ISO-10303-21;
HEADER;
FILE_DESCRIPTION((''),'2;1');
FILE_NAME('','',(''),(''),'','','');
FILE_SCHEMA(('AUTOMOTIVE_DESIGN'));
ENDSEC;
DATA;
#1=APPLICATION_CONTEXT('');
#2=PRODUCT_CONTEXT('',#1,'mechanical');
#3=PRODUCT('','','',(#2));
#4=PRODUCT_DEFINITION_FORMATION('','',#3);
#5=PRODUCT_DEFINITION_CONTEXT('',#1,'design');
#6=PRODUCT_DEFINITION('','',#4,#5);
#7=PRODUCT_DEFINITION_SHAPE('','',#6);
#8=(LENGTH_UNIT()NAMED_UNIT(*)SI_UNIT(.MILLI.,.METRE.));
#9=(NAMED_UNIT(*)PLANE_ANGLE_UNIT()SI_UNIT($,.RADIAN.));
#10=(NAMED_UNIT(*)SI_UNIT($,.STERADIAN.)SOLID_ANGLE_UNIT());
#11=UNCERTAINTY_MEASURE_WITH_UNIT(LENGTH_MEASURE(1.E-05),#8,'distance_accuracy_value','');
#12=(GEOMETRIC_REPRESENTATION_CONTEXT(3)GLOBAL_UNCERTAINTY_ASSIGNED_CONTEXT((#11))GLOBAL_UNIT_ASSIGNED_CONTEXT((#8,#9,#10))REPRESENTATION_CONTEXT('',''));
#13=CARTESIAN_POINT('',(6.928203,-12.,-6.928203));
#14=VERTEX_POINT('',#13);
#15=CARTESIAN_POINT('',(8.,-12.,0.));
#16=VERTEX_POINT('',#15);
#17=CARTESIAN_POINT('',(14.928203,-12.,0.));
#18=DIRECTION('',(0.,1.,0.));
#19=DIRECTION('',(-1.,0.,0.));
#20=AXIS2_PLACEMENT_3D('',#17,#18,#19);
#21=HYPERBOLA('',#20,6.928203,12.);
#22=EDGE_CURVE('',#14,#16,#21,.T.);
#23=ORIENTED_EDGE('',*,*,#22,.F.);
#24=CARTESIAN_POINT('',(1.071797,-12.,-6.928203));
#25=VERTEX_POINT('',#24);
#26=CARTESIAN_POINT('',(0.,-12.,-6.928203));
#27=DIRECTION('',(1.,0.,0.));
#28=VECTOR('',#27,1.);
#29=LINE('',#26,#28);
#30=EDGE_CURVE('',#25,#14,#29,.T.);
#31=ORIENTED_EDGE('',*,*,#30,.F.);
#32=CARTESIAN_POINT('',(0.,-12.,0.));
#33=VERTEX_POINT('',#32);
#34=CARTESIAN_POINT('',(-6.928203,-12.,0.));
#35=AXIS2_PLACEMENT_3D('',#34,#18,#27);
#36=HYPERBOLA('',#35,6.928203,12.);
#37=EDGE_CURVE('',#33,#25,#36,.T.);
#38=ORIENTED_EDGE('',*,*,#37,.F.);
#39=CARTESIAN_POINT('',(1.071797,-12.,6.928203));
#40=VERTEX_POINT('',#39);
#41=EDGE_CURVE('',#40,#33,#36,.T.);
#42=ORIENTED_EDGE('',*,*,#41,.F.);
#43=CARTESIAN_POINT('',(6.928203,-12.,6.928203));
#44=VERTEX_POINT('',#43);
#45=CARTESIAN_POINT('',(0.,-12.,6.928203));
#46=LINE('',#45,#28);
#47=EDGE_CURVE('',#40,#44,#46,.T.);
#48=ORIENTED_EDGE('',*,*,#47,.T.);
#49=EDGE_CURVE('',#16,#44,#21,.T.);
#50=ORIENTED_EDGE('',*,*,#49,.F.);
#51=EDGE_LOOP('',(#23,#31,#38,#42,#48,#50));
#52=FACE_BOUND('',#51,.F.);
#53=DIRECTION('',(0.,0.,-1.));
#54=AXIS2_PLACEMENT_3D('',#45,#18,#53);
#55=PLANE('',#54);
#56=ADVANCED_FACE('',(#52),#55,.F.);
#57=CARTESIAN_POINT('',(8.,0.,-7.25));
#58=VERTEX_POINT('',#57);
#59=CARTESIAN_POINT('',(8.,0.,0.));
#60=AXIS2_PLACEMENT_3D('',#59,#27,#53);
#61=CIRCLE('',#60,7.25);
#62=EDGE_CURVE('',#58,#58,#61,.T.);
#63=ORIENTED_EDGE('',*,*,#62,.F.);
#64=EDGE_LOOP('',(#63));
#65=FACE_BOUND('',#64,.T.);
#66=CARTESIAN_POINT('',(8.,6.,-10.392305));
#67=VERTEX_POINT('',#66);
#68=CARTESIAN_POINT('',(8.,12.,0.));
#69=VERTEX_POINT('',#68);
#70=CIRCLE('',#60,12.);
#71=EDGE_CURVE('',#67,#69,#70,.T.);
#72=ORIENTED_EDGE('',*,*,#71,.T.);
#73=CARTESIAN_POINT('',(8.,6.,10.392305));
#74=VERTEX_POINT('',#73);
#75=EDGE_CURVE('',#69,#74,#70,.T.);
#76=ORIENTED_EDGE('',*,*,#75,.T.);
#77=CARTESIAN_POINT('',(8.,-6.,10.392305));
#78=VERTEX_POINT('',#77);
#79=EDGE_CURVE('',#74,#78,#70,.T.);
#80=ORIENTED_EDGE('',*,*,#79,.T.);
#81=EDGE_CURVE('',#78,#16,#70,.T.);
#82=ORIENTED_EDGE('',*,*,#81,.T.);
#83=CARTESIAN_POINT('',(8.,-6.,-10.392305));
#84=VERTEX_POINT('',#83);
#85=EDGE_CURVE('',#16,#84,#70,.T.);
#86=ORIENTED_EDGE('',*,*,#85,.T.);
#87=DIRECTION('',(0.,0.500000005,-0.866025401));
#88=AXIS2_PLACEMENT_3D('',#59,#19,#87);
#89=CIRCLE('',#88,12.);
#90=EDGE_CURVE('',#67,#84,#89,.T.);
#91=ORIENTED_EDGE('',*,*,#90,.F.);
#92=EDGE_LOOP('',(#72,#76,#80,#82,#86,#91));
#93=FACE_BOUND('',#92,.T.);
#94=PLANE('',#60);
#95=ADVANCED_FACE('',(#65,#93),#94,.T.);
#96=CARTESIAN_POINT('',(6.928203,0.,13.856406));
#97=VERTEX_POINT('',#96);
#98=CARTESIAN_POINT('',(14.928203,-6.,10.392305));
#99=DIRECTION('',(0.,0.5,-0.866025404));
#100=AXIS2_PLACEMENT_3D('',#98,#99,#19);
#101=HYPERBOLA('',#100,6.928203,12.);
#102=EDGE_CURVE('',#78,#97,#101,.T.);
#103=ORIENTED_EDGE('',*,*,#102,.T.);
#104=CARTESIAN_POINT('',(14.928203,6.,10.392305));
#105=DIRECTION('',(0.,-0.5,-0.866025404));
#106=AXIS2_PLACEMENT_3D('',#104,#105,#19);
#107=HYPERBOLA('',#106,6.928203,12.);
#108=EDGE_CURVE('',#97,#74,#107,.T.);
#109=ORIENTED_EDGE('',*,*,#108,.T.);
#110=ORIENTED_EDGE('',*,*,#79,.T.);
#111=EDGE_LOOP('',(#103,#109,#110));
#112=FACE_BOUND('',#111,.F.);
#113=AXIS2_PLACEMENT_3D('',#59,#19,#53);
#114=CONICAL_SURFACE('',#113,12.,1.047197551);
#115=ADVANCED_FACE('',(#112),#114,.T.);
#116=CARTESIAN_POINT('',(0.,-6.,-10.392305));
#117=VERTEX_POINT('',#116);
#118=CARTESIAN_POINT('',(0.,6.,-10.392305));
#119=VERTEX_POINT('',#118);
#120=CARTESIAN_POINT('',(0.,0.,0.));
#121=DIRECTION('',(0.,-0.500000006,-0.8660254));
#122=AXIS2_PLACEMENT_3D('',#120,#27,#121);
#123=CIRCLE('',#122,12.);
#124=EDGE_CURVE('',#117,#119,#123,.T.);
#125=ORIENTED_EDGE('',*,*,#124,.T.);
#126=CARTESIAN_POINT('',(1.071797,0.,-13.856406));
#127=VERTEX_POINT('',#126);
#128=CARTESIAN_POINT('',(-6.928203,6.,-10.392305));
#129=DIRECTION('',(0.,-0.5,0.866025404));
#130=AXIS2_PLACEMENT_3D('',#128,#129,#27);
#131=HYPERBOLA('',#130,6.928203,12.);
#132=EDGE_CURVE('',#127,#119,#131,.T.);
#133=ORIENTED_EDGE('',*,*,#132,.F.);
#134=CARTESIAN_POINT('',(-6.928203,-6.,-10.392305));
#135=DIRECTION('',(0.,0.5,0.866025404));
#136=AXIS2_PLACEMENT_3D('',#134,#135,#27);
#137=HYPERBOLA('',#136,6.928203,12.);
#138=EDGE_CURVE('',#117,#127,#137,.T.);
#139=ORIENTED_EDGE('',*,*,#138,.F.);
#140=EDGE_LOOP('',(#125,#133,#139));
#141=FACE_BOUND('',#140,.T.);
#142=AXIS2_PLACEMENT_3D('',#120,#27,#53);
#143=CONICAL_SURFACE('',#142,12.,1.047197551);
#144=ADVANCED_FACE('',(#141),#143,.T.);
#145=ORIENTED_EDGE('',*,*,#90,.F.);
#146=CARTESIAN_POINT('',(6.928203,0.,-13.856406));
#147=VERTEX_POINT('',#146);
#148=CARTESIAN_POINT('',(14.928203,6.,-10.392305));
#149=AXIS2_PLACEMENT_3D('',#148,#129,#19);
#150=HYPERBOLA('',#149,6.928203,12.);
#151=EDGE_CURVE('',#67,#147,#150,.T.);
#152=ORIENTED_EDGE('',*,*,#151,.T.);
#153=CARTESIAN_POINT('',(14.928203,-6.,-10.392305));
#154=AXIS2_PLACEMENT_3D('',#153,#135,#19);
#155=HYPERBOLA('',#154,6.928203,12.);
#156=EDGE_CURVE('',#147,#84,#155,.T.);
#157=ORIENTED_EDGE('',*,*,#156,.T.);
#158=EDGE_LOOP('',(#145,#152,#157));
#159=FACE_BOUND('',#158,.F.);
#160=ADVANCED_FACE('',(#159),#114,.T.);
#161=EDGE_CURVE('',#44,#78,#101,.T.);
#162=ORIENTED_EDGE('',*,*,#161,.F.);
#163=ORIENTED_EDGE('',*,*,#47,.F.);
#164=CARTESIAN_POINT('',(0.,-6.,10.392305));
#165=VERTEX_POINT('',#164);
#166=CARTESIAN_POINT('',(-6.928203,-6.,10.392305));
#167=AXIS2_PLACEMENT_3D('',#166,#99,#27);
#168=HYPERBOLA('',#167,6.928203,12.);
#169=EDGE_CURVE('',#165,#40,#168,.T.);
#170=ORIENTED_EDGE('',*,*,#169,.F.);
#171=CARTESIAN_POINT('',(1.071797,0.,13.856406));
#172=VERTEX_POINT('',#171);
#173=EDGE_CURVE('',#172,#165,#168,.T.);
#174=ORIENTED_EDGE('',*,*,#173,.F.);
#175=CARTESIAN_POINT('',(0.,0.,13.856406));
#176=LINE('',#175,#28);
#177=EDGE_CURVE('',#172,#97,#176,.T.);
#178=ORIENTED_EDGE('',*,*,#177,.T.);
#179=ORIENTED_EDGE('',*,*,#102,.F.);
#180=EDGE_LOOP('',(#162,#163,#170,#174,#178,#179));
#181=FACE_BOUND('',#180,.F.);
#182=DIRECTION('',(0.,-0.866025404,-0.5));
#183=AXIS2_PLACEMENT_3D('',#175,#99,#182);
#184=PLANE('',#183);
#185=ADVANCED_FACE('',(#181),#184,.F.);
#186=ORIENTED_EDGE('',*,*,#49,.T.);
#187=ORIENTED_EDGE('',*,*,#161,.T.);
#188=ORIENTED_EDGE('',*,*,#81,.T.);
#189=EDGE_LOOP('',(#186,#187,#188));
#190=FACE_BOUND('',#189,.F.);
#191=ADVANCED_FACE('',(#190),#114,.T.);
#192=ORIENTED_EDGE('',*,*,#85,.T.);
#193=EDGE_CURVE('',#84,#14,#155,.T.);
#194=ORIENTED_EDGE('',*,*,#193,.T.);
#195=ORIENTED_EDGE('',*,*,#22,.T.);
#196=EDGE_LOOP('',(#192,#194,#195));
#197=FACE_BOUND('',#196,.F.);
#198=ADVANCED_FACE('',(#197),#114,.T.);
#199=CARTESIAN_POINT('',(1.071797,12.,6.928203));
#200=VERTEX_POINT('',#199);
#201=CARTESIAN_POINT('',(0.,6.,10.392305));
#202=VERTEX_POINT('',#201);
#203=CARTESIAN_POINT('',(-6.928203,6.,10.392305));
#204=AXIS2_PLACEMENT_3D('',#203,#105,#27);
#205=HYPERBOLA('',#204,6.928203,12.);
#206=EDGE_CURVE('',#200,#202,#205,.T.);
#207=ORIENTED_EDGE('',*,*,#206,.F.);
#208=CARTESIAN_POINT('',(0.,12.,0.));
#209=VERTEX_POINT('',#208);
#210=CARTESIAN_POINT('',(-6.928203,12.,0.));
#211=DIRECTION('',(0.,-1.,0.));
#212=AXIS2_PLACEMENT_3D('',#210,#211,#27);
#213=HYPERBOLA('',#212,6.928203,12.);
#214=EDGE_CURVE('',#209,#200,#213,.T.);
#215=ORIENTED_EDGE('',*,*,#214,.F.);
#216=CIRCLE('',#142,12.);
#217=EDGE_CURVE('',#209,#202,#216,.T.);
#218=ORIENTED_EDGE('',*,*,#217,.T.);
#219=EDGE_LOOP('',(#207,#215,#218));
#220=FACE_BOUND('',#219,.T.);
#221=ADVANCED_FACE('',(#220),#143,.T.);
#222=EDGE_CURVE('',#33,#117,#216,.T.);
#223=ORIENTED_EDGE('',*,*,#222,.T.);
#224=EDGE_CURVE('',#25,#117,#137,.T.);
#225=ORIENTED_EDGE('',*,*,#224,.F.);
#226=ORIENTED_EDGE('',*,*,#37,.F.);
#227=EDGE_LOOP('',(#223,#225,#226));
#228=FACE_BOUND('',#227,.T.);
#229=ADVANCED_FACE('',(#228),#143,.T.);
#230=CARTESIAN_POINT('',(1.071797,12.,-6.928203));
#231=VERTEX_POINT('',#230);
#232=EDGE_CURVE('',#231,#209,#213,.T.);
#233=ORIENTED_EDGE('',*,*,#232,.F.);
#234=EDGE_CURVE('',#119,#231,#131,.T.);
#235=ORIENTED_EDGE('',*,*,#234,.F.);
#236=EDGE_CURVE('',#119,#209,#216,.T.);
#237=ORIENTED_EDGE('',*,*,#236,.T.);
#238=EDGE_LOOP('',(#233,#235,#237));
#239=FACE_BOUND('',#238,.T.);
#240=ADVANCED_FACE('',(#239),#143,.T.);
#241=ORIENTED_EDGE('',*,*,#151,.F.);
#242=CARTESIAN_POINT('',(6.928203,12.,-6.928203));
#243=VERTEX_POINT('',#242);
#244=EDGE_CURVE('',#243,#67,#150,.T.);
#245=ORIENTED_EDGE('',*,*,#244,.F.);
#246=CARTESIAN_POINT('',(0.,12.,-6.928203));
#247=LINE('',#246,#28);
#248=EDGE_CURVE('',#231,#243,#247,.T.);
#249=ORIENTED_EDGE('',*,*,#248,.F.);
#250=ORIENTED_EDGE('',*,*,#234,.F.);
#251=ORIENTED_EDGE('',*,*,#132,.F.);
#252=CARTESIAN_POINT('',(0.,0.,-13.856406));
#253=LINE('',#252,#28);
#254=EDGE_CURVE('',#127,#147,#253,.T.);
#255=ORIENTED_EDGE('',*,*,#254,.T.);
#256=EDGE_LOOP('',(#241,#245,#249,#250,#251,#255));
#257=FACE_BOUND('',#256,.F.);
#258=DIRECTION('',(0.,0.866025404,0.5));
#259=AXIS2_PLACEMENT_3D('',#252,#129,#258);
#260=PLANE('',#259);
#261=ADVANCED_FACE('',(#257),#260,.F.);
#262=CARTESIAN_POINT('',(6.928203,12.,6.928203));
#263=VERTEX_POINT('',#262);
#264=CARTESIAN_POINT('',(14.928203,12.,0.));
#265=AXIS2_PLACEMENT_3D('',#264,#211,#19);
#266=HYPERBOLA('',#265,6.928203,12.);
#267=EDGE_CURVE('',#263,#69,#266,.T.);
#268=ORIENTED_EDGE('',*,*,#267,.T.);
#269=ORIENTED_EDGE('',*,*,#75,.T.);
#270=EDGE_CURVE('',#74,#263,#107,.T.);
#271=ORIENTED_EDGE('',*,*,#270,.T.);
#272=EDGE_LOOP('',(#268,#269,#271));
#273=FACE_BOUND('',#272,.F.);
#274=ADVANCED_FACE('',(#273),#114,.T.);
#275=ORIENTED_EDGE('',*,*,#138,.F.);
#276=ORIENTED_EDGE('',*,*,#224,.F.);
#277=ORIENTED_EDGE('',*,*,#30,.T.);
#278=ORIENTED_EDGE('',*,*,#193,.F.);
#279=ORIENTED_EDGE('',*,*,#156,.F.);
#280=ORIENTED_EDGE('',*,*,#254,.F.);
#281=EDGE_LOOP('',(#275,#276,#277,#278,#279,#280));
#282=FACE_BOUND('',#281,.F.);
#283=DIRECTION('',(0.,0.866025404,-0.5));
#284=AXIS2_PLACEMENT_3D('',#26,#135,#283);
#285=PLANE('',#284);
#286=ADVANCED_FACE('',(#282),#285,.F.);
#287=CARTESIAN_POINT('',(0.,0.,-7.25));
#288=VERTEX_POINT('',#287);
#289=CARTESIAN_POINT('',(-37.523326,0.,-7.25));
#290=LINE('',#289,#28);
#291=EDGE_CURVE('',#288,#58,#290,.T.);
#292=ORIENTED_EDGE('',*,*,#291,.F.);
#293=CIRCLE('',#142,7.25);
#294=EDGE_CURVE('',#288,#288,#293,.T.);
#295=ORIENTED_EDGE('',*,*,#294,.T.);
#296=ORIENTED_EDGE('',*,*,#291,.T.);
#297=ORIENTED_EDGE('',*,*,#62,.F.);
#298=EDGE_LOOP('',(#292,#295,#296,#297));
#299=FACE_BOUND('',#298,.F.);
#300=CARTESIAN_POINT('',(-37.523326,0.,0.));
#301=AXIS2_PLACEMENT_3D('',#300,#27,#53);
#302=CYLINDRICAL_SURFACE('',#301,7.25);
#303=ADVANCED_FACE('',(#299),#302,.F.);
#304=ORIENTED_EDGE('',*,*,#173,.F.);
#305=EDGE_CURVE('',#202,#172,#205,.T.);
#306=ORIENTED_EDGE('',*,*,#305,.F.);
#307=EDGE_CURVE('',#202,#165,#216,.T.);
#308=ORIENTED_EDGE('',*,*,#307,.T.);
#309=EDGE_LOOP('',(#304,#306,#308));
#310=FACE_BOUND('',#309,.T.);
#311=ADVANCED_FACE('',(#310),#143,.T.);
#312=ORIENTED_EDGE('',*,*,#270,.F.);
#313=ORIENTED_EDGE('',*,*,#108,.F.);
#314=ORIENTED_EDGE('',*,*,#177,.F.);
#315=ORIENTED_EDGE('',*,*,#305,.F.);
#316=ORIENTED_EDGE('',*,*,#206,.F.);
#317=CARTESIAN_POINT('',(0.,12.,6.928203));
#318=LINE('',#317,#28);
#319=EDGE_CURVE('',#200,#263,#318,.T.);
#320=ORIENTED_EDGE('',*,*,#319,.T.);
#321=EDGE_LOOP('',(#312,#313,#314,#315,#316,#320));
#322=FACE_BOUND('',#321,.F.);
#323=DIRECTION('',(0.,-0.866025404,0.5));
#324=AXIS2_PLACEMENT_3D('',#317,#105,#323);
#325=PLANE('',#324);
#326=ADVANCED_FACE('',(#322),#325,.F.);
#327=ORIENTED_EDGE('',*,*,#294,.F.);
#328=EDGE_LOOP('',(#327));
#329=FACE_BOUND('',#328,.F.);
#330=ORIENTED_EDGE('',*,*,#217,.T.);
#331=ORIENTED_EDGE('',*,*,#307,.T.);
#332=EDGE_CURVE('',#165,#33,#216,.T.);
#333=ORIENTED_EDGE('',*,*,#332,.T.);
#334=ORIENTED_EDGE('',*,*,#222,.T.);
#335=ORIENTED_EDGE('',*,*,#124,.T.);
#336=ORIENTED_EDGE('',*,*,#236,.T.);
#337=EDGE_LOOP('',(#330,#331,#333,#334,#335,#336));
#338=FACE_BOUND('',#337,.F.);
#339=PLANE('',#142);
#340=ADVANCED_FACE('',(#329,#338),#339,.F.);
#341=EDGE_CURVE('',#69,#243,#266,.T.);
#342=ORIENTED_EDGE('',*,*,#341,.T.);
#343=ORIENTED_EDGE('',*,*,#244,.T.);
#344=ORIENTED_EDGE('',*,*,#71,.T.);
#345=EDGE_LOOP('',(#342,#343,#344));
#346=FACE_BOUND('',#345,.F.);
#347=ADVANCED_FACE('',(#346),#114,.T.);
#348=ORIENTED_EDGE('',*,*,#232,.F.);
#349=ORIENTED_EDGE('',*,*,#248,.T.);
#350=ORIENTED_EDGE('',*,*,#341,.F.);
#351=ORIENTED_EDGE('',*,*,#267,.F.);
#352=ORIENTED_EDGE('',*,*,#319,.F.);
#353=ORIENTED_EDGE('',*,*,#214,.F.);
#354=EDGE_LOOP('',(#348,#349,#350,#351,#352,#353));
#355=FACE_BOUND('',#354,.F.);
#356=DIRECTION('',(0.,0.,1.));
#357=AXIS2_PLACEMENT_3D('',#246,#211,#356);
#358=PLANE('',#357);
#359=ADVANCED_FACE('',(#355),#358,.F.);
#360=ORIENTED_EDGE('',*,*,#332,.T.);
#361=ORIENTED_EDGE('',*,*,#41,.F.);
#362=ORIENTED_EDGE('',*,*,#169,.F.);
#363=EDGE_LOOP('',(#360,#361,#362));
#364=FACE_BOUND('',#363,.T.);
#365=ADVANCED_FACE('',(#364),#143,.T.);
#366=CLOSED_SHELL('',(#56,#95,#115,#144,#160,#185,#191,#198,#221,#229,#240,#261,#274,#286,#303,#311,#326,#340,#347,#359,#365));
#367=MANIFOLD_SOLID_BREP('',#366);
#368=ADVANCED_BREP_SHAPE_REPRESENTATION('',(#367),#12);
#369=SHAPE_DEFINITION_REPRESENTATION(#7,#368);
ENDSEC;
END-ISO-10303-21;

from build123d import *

# Parameters (mm, degrees)
BOSS_EXTRUDE1_DEPTH = 8
TAPPED_HOLE1_D      = 14.5


with BuildPart() as part:
    # Sketch1 → Boss-Extrude1 (new body)
    with BuildSketch(Plane(origin=(0, 0, 0), x_dir=(0, 0, -1), z_dir=(1, 0, 0))):
        Polygon((13.856406461, 0), (6.92820323, 12), (-6.92820323, 12), (-13.856406461, 0), (-6.92820323, -12), (6.92820323, -12), align=None)
    extrude(amount=BOSS_EXTRUDE1_DEPTH)

    # Tapped Hole1 (through all)
    with Locations(Plane.ZY):
        with Locations((0, 0)):
            Hole(TAPPED_HOLE1_D / 2)

    # Sketch6 → Cut-Revolve1 (revolve, cut)
    with BuildSketch(Plane(origin=(0, 0, 0), x_dir=(1, 0, 0), z_dir=(0, 1, 0))):
        Polygon((0, 12), (1.07179677, 13.856406461), (0, 13.856406461), align=None)
    cut_revolve1 = revolve(axis=Axis((0, 0, 0), (1, 0, 0)), mode=Mode.SUBTRACT)

    # Mirror1: Cut-Revolve1 across plane
    add(cut_revolve1.mirror(Plane.ZY.offset(-4)), mode=Mode.SUBTRACT)


solid = part.part
